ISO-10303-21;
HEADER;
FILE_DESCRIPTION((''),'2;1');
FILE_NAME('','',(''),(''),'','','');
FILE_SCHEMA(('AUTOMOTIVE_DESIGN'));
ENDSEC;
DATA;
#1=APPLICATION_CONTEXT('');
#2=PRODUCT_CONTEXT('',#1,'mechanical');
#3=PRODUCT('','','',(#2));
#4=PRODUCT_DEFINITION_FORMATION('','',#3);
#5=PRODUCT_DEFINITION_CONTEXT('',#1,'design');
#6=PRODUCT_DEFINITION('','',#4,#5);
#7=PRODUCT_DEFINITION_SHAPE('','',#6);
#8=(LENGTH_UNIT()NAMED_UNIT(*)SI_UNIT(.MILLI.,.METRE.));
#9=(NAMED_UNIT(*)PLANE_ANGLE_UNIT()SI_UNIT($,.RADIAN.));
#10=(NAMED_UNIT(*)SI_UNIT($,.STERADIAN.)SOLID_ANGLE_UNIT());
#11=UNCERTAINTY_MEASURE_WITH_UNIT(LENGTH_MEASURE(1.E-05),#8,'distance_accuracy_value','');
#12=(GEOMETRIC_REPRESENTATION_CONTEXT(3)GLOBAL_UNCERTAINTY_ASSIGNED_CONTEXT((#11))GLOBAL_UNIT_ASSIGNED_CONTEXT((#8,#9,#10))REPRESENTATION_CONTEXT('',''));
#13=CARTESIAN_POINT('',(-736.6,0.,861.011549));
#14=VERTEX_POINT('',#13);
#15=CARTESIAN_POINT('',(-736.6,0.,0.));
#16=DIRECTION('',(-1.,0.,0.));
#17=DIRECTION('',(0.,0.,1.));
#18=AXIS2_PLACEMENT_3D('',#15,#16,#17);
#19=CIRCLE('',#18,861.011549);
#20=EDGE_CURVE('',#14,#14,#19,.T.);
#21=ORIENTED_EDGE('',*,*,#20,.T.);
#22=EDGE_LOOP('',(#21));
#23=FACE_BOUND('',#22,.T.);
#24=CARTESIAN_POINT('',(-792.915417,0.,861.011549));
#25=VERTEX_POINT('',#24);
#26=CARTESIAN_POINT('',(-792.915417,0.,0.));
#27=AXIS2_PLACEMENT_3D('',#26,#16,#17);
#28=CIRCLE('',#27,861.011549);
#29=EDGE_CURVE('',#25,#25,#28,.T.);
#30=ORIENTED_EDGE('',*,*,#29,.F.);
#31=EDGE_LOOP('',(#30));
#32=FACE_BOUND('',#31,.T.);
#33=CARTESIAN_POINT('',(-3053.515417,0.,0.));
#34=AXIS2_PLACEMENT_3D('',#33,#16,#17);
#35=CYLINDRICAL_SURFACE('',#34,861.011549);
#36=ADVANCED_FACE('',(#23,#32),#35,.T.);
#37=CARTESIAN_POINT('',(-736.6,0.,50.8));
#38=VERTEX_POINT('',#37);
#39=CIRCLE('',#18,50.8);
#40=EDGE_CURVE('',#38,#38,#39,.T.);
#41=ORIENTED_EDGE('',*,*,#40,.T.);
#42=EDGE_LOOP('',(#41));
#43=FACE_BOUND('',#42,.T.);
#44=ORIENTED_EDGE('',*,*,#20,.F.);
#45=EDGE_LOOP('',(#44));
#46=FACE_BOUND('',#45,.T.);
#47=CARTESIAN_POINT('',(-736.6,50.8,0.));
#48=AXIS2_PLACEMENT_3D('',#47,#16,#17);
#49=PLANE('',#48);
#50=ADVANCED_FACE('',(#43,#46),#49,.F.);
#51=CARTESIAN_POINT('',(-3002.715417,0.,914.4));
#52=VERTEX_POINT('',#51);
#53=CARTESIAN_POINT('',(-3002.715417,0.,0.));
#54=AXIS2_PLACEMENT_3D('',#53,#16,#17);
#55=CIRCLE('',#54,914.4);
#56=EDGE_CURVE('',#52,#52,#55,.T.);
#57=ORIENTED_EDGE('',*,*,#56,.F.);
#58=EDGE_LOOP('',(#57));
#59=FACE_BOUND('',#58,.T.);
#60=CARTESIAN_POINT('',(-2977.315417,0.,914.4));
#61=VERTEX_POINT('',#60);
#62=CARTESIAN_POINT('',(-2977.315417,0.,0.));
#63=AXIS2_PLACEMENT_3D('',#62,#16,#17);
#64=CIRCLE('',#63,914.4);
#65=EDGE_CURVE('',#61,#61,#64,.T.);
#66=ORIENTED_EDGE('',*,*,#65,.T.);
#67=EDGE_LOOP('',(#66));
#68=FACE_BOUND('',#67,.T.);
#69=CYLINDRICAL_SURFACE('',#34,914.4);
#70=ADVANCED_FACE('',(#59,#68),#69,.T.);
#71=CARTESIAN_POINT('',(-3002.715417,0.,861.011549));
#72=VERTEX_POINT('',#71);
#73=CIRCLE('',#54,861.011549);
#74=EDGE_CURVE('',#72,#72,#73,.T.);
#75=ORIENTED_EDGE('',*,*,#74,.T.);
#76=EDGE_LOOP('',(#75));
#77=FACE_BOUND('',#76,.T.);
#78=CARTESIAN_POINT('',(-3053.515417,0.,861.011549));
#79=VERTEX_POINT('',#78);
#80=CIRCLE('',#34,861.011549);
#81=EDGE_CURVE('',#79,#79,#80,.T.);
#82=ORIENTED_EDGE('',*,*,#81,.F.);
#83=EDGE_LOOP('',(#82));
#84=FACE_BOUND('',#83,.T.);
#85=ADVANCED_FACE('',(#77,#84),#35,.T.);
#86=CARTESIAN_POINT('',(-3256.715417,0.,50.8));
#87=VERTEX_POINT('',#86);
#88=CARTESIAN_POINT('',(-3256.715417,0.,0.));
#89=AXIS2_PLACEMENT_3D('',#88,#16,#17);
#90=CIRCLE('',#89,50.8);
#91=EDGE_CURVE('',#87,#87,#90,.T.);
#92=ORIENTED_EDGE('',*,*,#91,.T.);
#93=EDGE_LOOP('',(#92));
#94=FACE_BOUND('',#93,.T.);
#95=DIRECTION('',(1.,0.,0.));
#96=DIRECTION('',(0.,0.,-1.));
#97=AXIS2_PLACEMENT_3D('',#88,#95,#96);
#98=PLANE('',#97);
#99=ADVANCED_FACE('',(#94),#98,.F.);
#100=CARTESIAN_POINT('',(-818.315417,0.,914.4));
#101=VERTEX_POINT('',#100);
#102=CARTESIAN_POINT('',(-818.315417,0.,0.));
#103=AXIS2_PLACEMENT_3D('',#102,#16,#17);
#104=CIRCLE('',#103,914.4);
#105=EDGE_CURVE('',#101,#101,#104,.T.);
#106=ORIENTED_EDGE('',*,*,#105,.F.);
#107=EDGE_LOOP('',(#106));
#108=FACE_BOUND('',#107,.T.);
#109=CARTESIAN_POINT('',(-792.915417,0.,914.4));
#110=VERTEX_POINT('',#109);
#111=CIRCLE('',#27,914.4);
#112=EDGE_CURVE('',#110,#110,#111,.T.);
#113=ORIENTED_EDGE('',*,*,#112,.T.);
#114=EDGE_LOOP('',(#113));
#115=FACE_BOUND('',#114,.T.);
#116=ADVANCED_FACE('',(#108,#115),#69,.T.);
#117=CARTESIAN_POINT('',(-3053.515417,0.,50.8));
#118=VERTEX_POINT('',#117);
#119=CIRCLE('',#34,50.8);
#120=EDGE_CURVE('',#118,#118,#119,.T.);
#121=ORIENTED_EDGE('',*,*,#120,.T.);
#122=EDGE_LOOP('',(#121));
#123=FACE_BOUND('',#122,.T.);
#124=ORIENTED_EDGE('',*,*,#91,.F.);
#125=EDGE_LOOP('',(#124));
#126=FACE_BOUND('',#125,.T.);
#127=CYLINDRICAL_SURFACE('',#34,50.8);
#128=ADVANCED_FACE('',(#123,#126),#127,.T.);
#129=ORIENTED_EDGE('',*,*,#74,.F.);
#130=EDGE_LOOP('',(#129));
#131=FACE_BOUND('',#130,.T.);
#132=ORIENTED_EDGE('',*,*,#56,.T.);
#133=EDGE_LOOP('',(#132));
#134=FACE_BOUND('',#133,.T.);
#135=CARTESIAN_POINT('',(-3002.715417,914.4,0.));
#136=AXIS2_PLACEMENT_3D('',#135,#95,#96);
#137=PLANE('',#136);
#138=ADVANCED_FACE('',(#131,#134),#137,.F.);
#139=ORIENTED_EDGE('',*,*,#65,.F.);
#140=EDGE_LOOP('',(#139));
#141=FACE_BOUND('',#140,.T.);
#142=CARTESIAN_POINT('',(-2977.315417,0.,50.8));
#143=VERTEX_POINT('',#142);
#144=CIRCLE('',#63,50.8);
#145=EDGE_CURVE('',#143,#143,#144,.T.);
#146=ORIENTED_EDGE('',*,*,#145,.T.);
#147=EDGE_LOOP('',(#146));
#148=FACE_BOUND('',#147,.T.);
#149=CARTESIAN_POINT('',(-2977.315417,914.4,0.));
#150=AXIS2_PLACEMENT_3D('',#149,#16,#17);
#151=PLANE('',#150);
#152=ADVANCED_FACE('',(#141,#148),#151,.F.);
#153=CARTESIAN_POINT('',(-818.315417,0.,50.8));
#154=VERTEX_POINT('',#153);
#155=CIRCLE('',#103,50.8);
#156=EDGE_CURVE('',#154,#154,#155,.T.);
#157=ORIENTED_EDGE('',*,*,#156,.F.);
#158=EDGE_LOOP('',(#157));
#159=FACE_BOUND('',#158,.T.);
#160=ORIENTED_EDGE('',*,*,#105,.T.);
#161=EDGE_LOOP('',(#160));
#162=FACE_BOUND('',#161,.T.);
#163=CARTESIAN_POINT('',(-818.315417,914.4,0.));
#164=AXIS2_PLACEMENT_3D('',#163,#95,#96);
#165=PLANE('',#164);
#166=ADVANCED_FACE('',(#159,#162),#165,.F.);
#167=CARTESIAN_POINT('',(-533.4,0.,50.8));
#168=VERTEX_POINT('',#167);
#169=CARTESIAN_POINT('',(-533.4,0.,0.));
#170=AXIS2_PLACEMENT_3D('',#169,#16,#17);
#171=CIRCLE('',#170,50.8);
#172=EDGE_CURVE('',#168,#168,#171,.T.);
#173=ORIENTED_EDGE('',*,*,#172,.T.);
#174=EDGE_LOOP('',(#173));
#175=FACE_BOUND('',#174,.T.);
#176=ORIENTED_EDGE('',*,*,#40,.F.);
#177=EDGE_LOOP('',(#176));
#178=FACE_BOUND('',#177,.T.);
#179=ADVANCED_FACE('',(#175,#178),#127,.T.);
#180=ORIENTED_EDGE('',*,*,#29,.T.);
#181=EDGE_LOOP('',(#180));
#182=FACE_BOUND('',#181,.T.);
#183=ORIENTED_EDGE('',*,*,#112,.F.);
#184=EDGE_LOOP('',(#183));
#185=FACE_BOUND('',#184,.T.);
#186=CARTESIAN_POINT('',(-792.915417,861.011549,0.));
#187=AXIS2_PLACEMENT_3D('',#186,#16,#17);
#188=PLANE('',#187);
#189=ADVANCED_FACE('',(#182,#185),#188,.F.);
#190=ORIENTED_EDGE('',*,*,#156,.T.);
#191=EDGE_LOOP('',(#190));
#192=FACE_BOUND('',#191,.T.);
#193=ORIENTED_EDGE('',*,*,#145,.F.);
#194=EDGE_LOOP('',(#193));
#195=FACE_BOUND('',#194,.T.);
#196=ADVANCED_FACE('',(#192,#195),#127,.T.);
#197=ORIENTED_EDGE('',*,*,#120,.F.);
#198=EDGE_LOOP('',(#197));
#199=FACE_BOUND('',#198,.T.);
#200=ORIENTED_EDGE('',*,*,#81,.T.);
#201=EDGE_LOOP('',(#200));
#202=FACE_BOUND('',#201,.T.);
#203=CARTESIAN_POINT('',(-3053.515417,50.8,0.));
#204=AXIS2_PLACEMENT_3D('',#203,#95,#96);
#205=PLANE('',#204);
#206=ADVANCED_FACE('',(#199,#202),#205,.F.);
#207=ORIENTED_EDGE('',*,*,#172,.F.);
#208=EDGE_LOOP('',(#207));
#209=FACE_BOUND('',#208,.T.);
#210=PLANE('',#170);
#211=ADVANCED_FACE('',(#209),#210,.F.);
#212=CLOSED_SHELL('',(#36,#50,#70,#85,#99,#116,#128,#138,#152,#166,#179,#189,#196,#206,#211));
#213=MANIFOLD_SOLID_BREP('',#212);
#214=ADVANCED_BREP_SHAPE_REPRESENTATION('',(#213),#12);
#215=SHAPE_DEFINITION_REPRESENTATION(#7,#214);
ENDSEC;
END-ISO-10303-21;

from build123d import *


with BuildPart() as part:
    # Sketch1 → Revolve2 (revolve)
    with BuildSketch(Plane.XY):
        Polygon((-2977.315417146, 50.8), (-818.315417146, 50.8), (-818.315417146, 914.4), (-792.915417146, 914.4), (-792.915417146, 861.011549077), (-736.6, 861.011549077), (-736.6, 50.8), (-533.4, 50.8), (-533.4, 0), (-736.6, 0), (-3053.515417146, 0), (-3256.715417146, 0), (-3256.715417146, 50.8), (-3053.515417146, 50.8), (-3053.515417146, 861.011549077), (-3002.715417146, 861.011549077), (-3002.715417146, 914.4), (-2977.315417146, 914.4), align=None)
    revolve(axis=Axis((-3053.515417146, 0, 0), (1, 0, 0)))


solid = part.part
